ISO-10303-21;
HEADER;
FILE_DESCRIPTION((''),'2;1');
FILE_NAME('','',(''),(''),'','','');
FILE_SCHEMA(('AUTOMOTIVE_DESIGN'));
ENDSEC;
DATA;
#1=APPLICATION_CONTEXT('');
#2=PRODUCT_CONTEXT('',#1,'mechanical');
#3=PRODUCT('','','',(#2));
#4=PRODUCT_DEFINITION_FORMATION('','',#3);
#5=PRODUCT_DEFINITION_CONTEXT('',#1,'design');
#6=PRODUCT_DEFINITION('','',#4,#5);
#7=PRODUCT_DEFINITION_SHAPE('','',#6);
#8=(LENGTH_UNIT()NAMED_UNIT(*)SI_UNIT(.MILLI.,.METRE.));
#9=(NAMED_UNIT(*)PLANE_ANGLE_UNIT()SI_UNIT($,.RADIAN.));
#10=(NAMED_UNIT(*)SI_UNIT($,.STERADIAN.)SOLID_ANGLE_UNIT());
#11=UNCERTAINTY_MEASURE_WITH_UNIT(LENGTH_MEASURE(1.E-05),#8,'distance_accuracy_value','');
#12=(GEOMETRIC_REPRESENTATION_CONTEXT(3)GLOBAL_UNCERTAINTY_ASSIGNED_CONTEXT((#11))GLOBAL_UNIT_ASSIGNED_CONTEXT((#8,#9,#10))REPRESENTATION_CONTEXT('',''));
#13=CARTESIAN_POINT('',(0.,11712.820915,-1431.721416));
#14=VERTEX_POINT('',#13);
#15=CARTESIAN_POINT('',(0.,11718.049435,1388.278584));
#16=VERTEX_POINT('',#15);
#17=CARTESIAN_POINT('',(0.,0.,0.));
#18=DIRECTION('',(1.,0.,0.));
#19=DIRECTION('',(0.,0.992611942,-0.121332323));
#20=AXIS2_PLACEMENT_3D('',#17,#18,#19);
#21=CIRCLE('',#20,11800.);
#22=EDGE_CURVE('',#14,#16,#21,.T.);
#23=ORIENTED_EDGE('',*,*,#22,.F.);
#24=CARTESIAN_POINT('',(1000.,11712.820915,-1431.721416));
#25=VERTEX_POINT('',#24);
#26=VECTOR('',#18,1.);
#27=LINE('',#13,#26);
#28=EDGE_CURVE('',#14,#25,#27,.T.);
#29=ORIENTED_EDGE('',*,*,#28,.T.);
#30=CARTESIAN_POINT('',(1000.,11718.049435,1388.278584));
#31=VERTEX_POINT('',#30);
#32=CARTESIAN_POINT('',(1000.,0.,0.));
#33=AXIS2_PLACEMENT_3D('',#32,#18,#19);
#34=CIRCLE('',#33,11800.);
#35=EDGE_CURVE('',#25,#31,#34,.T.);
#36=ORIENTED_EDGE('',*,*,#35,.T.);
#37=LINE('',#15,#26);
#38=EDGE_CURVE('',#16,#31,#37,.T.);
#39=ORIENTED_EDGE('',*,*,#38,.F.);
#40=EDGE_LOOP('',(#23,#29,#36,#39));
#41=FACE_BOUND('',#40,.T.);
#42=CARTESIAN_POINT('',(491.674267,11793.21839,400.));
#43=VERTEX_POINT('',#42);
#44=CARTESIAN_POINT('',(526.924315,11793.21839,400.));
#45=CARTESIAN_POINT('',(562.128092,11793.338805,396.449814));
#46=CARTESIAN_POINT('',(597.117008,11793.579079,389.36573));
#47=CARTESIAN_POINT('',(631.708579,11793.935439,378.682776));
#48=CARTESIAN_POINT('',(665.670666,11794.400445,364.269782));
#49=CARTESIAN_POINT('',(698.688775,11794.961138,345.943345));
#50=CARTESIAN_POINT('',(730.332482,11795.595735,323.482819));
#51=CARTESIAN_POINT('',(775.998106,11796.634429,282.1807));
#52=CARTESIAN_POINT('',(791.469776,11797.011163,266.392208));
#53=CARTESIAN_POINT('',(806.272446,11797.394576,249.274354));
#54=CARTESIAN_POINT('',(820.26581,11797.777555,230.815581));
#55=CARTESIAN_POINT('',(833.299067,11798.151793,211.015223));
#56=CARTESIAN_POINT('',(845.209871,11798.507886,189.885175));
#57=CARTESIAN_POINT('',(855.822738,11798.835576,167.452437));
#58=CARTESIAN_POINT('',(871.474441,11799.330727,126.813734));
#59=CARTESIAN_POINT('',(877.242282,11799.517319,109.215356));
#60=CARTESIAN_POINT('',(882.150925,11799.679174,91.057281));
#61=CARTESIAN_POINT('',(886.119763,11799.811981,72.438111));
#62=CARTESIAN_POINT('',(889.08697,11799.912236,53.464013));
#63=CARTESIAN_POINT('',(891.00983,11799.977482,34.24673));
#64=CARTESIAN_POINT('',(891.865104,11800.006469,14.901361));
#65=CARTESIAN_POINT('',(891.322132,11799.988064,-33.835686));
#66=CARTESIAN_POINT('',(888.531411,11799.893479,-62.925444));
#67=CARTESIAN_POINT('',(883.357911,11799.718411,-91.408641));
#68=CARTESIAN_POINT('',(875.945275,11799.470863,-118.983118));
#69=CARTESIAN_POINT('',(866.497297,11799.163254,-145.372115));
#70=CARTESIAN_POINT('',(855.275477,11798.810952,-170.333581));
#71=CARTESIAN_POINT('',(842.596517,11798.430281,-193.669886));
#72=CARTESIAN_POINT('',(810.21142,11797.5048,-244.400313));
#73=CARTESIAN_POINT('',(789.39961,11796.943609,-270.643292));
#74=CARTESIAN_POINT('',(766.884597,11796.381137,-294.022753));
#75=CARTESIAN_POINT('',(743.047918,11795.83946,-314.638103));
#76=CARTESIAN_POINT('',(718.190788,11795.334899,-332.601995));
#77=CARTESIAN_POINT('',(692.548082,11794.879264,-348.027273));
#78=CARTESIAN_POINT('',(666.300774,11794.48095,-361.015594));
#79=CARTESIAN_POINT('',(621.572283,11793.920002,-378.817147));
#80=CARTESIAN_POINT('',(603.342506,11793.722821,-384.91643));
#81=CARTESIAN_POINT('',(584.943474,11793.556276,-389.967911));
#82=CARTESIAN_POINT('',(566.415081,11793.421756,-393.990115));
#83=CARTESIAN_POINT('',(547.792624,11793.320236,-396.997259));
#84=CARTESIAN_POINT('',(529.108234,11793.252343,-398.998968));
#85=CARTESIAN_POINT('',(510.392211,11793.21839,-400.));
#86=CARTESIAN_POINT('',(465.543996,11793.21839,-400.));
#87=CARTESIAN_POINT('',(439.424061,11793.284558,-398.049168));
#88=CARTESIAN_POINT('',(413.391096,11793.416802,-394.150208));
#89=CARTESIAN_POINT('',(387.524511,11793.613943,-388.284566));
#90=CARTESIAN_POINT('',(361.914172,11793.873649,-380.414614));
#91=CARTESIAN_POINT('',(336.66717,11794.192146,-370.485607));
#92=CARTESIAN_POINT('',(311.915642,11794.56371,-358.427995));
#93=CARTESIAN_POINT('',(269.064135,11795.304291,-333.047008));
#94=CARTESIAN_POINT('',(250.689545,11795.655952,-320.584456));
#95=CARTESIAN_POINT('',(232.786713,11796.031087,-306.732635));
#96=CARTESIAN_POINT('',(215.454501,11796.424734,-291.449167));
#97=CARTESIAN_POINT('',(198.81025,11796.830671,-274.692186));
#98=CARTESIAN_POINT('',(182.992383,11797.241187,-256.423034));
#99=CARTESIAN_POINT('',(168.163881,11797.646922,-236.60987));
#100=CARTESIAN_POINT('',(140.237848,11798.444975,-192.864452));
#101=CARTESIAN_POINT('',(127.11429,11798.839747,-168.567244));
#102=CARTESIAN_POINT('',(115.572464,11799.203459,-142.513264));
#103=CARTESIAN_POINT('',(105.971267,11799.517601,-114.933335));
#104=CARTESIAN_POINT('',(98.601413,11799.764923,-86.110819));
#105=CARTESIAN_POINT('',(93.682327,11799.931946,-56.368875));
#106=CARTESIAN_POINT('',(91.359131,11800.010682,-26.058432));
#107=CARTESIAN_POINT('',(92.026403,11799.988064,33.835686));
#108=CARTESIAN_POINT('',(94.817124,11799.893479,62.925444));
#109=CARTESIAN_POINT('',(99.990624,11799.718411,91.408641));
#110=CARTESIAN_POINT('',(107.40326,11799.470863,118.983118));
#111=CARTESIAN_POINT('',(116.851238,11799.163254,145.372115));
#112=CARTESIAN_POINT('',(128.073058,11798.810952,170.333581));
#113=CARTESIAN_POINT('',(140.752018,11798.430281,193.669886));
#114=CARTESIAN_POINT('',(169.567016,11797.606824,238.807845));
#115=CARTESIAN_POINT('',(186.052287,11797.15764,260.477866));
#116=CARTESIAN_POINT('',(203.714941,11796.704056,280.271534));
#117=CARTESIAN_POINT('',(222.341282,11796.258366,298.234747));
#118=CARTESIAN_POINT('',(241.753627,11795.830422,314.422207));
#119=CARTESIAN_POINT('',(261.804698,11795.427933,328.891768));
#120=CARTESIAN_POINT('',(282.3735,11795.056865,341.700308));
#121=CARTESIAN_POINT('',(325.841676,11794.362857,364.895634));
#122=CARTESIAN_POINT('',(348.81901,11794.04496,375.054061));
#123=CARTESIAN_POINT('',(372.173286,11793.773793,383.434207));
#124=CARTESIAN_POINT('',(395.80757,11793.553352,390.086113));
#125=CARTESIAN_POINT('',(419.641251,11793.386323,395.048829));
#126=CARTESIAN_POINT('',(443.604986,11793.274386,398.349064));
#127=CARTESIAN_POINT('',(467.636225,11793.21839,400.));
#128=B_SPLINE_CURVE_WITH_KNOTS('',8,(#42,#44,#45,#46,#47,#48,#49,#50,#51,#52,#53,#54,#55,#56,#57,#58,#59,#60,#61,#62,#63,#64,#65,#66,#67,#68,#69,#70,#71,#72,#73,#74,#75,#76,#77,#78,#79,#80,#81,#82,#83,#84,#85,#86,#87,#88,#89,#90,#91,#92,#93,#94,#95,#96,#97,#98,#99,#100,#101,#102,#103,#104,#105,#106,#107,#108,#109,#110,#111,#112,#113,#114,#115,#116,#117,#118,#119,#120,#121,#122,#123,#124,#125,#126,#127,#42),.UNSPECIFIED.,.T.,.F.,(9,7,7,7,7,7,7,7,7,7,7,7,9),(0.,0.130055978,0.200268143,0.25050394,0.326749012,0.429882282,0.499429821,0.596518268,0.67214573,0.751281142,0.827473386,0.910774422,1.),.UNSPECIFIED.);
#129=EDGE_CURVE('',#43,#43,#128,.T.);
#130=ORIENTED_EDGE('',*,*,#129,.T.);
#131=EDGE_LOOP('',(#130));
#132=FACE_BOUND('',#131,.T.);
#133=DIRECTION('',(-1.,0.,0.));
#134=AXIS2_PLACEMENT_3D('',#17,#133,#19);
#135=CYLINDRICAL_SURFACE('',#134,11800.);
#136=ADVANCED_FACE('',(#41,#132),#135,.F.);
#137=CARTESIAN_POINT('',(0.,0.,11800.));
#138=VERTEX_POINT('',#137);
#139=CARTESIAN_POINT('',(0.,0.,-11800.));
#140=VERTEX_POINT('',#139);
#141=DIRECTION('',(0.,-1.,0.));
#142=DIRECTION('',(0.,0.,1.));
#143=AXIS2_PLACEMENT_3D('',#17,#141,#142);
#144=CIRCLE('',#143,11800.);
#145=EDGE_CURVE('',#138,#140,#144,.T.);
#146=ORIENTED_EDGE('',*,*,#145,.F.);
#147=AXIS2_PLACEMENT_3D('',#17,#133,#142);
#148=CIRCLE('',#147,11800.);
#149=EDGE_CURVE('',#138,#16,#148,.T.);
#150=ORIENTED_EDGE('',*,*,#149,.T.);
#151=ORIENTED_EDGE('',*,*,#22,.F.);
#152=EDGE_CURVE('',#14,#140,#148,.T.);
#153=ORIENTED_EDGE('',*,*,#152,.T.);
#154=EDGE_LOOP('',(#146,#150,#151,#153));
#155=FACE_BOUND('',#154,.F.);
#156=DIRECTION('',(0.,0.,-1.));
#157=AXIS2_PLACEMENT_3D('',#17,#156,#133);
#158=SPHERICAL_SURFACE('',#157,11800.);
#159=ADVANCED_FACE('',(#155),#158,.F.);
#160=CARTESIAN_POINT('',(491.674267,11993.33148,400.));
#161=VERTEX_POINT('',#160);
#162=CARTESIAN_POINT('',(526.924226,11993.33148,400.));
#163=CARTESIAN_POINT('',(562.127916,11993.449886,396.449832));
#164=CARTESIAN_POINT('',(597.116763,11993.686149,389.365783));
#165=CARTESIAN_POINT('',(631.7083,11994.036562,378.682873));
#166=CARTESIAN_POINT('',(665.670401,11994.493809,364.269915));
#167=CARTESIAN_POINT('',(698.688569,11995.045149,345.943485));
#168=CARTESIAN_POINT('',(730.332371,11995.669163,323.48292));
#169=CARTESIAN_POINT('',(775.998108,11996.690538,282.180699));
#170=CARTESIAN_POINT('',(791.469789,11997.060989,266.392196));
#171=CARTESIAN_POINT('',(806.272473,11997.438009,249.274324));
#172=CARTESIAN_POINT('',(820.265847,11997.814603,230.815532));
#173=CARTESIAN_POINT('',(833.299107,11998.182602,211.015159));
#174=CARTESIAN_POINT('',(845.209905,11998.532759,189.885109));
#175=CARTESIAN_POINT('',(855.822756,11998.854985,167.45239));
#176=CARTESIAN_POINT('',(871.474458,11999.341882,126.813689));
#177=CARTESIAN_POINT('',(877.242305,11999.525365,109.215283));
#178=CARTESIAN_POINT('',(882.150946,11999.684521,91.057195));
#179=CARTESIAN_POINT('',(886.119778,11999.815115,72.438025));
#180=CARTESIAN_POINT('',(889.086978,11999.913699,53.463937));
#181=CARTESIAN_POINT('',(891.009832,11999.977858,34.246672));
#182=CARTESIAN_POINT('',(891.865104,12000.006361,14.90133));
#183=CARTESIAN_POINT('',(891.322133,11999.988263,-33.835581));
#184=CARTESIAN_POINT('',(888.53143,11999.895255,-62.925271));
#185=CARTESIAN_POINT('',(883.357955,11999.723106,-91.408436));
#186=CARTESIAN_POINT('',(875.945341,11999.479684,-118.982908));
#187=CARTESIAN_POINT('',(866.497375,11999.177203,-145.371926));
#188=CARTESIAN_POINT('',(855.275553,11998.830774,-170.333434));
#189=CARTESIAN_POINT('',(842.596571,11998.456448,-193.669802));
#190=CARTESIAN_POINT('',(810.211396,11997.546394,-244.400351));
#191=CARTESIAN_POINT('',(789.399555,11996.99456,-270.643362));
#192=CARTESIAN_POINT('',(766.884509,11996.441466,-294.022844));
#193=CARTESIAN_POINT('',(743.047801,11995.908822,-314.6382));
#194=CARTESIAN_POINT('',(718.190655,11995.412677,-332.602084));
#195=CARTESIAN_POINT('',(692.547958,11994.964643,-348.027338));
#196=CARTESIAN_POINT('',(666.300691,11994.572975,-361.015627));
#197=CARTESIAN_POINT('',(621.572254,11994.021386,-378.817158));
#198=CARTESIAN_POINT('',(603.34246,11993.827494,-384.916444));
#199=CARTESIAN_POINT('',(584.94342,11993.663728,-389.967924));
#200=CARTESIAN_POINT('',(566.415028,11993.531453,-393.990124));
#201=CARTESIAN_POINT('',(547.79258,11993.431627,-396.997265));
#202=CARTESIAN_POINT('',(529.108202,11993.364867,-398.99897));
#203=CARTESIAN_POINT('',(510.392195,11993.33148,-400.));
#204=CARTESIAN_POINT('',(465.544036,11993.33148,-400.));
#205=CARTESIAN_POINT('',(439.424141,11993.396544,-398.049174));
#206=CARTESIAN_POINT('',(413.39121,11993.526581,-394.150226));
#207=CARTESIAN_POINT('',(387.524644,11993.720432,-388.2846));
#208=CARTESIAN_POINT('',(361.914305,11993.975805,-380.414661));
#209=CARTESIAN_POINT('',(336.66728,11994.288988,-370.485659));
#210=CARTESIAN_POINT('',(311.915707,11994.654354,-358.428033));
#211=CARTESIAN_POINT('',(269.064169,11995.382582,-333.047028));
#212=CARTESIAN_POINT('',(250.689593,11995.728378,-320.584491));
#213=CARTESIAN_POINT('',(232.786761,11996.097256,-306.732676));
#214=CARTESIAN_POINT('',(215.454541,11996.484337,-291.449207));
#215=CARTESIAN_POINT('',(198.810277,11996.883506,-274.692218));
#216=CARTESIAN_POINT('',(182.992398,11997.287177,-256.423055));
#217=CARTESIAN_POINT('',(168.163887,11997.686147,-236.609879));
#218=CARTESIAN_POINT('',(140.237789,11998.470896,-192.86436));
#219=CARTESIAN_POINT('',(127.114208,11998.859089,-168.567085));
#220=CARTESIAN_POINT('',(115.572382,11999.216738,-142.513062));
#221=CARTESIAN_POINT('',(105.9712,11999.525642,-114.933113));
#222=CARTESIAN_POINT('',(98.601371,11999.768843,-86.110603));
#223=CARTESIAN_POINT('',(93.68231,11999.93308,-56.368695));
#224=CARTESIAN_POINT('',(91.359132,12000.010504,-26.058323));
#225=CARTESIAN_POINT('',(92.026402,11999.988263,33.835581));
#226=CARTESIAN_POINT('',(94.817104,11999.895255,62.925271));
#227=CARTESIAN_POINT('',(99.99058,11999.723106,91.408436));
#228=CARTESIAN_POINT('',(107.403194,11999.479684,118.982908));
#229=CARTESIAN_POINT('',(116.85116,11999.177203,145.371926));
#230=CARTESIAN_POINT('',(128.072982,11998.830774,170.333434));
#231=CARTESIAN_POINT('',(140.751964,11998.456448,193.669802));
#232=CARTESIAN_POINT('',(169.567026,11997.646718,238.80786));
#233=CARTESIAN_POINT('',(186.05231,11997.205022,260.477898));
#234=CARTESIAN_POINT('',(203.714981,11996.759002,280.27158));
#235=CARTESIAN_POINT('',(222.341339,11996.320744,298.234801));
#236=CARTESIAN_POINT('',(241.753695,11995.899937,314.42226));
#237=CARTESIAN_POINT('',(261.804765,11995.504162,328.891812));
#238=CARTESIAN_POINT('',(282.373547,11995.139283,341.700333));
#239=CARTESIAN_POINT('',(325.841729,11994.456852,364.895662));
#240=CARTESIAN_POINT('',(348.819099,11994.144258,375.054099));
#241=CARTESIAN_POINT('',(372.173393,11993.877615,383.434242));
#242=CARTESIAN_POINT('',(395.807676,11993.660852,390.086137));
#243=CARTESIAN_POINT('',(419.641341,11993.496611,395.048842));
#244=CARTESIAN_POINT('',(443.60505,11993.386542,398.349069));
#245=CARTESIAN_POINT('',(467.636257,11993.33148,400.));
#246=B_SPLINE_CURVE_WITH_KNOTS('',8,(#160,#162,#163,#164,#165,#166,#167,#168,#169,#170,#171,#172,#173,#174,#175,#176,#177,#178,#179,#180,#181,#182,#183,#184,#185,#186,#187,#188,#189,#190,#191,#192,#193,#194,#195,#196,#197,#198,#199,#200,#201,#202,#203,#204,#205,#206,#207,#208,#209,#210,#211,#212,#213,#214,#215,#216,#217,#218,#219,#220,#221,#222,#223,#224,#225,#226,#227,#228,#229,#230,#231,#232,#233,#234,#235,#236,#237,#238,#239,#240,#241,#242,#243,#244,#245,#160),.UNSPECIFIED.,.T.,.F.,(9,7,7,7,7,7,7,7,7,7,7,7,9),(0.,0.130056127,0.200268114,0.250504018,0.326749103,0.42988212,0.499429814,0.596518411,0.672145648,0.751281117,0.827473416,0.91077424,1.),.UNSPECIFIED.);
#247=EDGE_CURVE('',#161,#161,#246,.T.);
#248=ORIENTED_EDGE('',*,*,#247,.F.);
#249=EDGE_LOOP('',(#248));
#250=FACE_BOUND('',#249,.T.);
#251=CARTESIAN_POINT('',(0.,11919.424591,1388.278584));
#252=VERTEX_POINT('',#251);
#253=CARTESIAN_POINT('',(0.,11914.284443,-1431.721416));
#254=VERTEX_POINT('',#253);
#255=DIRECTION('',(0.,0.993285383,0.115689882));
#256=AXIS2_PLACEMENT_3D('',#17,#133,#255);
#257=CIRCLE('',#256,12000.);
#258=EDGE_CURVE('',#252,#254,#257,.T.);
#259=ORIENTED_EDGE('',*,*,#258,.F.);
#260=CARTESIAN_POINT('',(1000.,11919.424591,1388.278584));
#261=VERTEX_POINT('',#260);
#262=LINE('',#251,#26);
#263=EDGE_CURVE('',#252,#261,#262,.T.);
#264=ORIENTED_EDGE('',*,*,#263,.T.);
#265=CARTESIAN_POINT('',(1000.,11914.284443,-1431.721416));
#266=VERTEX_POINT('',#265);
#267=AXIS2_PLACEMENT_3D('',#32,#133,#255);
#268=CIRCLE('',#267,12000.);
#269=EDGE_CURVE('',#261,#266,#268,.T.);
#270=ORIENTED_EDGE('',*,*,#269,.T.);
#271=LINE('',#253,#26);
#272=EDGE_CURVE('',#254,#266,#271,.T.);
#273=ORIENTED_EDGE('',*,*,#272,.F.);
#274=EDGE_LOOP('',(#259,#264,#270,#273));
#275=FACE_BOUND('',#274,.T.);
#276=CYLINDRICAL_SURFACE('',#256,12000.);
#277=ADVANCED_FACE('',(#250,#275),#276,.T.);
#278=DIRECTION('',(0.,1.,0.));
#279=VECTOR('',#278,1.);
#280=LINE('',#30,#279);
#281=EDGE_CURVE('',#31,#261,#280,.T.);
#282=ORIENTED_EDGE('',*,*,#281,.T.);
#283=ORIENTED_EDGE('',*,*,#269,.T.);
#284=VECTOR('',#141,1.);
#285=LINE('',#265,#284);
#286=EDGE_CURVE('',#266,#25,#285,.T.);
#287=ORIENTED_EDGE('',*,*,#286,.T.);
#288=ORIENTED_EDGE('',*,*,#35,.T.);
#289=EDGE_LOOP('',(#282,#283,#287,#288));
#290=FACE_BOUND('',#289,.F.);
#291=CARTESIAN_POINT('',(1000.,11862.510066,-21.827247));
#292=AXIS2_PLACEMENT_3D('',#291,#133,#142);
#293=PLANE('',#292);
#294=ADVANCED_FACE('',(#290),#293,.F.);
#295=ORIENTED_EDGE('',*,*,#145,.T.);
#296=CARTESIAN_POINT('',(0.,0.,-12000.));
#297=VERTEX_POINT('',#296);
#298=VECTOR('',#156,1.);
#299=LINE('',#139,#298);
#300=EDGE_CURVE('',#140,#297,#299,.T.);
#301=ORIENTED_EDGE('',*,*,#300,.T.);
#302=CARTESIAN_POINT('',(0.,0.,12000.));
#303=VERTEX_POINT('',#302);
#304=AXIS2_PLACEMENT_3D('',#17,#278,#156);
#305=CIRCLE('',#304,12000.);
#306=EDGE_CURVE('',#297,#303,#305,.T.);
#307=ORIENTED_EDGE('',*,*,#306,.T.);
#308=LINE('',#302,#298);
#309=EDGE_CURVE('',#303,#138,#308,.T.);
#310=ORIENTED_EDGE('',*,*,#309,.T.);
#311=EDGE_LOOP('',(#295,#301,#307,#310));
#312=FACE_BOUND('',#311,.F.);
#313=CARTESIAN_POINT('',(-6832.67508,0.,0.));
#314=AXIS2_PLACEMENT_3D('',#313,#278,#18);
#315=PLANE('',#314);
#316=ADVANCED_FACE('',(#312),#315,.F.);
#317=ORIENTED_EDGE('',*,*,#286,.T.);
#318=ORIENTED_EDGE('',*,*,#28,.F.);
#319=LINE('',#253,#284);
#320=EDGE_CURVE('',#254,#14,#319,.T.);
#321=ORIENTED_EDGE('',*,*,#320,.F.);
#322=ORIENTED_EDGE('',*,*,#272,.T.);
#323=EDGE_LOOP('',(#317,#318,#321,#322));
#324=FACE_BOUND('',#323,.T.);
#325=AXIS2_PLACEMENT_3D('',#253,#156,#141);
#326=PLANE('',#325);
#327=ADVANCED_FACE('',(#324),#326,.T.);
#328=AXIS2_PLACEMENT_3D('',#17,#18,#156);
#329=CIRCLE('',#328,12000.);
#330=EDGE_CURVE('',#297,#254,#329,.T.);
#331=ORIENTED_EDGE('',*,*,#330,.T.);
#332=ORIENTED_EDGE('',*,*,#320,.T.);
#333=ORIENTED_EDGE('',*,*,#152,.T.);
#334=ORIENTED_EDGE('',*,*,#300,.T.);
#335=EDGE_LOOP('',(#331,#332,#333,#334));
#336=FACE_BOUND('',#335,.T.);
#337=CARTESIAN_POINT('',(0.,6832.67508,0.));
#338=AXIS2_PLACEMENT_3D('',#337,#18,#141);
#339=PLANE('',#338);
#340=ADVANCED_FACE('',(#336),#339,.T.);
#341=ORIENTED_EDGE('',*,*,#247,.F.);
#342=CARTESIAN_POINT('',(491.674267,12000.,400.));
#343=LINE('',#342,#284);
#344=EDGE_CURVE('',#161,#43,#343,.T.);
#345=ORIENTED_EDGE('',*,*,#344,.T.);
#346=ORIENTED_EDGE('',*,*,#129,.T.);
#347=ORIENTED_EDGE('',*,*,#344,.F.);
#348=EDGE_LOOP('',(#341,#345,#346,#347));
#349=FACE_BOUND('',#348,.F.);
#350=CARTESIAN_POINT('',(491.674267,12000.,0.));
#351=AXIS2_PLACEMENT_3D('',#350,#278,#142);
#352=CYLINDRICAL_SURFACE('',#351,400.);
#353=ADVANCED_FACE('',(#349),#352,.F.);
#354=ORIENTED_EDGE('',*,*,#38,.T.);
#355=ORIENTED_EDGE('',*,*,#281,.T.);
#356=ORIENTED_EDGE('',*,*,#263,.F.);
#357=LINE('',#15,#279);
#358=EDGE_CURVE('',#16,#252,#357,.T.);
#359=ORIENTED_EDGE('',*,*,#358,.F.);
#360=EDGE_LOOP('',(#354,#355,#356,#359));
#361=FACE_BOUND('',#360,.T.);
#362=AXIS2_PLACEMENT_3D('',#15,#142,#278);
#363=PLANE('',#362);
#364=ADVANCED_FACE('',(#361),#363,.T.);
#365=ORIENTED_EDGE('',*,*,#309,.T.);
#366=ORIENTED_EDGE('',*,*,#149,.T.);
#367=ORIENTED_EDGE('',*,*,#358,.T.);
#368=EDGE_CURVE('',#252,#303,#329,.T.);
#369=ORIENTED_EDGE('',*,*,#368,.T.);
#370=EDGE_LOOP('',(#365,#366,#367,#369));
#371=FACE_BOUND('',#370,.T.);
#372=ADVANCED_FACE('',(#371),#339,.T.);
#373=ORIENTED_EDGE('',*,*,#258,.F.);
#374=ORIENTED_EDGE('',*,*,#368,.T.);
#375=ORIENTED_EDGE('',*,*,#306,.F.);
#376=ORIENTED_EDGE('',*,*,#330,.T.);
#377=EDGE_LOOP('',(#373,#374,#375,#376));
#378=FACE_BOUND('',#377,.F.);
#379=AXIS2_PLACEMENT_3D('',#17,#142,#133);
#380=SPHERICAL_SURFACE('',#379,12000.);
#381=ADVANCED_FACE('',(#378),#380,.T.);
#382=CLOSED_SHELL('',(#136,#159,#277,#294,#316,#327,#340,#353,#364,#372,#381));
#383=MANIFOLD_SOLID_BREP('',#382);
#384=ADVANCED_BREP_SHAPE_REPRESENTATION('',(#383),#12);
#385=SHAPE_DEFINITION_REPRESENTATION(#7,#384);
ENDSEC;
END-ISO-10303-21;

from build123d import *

# Parameters (mm, degrees)
REVOLVE1_ANGLE      = 90
BOSS_EXTRUDE1_DEPTH = 1000
SKETCH5_R           = 400
CUT_EXTRUDE1_DEPTH  = 1000


with BuildPart() as part:
    # Sketch2 → Revolve1 (revolve)
    with BuildSketch(Plane(origin=(0, 0, 0), x_dir=(1, 0, 0), z_dir=(0, 1, 0))):
        with BuildLine():
            Line((0, -12000), (0, -11800))
            ThreePointArc((0, -11800), (-11800, 0), (0, 11800))
            Line((0, 11800), (0, 12000))
            ThreePointArc((0, 12000), (-12000, 0), (0, -12000))
        make_face()
    revolve(axis=Axis((0, 0, 3077.152585208), (0, 0, -1)), revolution_arc=REVOLVE1_ANGLE)

    # Sketch4 → Boss-Extrude1 (add)
    with BuildSketch(Plane(origin=(0, 0, 0), x_dir=(0, 0, -1), z_dir=(1, 0, 0))):
        with BuildLine():
            Line((-1388.2785841, 11718.049435505), (-1388.2785841, 11919.424590681))
            ThreePointArc((-1388.2785841, 11919.424590681), (21.87293278, 11999.980065601), (1431.7214159, 11914.284442939))
            Line((1431.7214159, 11914.284442939), (1431.7214159, 11712.820915017))
            ThreePointArc((1431.7214159, 11712.820915017), (21.878168692, 11799.979718022), (-1388.2785841, 11718.049435505))
        make_face()
    extrude(amount=BOSS_EXTRUDE1_DEPTH)

    # Sketch5 → Cut-Extrude1 (cut)
    with BuildSketch(Plane(origin=(0, 12000, 0), x_dir=(1, 0, 0), z_dir=(0, 1, 0))):
        with Locations(Location((491.674267447, 0, 0), (0, 0, 270))):
            Circle(SKETCH5_R)
    extrude(amount=-CUT_EXTRUDE1_DEPTH, mode=Mode.SUBTRACT)


solid = part.part
